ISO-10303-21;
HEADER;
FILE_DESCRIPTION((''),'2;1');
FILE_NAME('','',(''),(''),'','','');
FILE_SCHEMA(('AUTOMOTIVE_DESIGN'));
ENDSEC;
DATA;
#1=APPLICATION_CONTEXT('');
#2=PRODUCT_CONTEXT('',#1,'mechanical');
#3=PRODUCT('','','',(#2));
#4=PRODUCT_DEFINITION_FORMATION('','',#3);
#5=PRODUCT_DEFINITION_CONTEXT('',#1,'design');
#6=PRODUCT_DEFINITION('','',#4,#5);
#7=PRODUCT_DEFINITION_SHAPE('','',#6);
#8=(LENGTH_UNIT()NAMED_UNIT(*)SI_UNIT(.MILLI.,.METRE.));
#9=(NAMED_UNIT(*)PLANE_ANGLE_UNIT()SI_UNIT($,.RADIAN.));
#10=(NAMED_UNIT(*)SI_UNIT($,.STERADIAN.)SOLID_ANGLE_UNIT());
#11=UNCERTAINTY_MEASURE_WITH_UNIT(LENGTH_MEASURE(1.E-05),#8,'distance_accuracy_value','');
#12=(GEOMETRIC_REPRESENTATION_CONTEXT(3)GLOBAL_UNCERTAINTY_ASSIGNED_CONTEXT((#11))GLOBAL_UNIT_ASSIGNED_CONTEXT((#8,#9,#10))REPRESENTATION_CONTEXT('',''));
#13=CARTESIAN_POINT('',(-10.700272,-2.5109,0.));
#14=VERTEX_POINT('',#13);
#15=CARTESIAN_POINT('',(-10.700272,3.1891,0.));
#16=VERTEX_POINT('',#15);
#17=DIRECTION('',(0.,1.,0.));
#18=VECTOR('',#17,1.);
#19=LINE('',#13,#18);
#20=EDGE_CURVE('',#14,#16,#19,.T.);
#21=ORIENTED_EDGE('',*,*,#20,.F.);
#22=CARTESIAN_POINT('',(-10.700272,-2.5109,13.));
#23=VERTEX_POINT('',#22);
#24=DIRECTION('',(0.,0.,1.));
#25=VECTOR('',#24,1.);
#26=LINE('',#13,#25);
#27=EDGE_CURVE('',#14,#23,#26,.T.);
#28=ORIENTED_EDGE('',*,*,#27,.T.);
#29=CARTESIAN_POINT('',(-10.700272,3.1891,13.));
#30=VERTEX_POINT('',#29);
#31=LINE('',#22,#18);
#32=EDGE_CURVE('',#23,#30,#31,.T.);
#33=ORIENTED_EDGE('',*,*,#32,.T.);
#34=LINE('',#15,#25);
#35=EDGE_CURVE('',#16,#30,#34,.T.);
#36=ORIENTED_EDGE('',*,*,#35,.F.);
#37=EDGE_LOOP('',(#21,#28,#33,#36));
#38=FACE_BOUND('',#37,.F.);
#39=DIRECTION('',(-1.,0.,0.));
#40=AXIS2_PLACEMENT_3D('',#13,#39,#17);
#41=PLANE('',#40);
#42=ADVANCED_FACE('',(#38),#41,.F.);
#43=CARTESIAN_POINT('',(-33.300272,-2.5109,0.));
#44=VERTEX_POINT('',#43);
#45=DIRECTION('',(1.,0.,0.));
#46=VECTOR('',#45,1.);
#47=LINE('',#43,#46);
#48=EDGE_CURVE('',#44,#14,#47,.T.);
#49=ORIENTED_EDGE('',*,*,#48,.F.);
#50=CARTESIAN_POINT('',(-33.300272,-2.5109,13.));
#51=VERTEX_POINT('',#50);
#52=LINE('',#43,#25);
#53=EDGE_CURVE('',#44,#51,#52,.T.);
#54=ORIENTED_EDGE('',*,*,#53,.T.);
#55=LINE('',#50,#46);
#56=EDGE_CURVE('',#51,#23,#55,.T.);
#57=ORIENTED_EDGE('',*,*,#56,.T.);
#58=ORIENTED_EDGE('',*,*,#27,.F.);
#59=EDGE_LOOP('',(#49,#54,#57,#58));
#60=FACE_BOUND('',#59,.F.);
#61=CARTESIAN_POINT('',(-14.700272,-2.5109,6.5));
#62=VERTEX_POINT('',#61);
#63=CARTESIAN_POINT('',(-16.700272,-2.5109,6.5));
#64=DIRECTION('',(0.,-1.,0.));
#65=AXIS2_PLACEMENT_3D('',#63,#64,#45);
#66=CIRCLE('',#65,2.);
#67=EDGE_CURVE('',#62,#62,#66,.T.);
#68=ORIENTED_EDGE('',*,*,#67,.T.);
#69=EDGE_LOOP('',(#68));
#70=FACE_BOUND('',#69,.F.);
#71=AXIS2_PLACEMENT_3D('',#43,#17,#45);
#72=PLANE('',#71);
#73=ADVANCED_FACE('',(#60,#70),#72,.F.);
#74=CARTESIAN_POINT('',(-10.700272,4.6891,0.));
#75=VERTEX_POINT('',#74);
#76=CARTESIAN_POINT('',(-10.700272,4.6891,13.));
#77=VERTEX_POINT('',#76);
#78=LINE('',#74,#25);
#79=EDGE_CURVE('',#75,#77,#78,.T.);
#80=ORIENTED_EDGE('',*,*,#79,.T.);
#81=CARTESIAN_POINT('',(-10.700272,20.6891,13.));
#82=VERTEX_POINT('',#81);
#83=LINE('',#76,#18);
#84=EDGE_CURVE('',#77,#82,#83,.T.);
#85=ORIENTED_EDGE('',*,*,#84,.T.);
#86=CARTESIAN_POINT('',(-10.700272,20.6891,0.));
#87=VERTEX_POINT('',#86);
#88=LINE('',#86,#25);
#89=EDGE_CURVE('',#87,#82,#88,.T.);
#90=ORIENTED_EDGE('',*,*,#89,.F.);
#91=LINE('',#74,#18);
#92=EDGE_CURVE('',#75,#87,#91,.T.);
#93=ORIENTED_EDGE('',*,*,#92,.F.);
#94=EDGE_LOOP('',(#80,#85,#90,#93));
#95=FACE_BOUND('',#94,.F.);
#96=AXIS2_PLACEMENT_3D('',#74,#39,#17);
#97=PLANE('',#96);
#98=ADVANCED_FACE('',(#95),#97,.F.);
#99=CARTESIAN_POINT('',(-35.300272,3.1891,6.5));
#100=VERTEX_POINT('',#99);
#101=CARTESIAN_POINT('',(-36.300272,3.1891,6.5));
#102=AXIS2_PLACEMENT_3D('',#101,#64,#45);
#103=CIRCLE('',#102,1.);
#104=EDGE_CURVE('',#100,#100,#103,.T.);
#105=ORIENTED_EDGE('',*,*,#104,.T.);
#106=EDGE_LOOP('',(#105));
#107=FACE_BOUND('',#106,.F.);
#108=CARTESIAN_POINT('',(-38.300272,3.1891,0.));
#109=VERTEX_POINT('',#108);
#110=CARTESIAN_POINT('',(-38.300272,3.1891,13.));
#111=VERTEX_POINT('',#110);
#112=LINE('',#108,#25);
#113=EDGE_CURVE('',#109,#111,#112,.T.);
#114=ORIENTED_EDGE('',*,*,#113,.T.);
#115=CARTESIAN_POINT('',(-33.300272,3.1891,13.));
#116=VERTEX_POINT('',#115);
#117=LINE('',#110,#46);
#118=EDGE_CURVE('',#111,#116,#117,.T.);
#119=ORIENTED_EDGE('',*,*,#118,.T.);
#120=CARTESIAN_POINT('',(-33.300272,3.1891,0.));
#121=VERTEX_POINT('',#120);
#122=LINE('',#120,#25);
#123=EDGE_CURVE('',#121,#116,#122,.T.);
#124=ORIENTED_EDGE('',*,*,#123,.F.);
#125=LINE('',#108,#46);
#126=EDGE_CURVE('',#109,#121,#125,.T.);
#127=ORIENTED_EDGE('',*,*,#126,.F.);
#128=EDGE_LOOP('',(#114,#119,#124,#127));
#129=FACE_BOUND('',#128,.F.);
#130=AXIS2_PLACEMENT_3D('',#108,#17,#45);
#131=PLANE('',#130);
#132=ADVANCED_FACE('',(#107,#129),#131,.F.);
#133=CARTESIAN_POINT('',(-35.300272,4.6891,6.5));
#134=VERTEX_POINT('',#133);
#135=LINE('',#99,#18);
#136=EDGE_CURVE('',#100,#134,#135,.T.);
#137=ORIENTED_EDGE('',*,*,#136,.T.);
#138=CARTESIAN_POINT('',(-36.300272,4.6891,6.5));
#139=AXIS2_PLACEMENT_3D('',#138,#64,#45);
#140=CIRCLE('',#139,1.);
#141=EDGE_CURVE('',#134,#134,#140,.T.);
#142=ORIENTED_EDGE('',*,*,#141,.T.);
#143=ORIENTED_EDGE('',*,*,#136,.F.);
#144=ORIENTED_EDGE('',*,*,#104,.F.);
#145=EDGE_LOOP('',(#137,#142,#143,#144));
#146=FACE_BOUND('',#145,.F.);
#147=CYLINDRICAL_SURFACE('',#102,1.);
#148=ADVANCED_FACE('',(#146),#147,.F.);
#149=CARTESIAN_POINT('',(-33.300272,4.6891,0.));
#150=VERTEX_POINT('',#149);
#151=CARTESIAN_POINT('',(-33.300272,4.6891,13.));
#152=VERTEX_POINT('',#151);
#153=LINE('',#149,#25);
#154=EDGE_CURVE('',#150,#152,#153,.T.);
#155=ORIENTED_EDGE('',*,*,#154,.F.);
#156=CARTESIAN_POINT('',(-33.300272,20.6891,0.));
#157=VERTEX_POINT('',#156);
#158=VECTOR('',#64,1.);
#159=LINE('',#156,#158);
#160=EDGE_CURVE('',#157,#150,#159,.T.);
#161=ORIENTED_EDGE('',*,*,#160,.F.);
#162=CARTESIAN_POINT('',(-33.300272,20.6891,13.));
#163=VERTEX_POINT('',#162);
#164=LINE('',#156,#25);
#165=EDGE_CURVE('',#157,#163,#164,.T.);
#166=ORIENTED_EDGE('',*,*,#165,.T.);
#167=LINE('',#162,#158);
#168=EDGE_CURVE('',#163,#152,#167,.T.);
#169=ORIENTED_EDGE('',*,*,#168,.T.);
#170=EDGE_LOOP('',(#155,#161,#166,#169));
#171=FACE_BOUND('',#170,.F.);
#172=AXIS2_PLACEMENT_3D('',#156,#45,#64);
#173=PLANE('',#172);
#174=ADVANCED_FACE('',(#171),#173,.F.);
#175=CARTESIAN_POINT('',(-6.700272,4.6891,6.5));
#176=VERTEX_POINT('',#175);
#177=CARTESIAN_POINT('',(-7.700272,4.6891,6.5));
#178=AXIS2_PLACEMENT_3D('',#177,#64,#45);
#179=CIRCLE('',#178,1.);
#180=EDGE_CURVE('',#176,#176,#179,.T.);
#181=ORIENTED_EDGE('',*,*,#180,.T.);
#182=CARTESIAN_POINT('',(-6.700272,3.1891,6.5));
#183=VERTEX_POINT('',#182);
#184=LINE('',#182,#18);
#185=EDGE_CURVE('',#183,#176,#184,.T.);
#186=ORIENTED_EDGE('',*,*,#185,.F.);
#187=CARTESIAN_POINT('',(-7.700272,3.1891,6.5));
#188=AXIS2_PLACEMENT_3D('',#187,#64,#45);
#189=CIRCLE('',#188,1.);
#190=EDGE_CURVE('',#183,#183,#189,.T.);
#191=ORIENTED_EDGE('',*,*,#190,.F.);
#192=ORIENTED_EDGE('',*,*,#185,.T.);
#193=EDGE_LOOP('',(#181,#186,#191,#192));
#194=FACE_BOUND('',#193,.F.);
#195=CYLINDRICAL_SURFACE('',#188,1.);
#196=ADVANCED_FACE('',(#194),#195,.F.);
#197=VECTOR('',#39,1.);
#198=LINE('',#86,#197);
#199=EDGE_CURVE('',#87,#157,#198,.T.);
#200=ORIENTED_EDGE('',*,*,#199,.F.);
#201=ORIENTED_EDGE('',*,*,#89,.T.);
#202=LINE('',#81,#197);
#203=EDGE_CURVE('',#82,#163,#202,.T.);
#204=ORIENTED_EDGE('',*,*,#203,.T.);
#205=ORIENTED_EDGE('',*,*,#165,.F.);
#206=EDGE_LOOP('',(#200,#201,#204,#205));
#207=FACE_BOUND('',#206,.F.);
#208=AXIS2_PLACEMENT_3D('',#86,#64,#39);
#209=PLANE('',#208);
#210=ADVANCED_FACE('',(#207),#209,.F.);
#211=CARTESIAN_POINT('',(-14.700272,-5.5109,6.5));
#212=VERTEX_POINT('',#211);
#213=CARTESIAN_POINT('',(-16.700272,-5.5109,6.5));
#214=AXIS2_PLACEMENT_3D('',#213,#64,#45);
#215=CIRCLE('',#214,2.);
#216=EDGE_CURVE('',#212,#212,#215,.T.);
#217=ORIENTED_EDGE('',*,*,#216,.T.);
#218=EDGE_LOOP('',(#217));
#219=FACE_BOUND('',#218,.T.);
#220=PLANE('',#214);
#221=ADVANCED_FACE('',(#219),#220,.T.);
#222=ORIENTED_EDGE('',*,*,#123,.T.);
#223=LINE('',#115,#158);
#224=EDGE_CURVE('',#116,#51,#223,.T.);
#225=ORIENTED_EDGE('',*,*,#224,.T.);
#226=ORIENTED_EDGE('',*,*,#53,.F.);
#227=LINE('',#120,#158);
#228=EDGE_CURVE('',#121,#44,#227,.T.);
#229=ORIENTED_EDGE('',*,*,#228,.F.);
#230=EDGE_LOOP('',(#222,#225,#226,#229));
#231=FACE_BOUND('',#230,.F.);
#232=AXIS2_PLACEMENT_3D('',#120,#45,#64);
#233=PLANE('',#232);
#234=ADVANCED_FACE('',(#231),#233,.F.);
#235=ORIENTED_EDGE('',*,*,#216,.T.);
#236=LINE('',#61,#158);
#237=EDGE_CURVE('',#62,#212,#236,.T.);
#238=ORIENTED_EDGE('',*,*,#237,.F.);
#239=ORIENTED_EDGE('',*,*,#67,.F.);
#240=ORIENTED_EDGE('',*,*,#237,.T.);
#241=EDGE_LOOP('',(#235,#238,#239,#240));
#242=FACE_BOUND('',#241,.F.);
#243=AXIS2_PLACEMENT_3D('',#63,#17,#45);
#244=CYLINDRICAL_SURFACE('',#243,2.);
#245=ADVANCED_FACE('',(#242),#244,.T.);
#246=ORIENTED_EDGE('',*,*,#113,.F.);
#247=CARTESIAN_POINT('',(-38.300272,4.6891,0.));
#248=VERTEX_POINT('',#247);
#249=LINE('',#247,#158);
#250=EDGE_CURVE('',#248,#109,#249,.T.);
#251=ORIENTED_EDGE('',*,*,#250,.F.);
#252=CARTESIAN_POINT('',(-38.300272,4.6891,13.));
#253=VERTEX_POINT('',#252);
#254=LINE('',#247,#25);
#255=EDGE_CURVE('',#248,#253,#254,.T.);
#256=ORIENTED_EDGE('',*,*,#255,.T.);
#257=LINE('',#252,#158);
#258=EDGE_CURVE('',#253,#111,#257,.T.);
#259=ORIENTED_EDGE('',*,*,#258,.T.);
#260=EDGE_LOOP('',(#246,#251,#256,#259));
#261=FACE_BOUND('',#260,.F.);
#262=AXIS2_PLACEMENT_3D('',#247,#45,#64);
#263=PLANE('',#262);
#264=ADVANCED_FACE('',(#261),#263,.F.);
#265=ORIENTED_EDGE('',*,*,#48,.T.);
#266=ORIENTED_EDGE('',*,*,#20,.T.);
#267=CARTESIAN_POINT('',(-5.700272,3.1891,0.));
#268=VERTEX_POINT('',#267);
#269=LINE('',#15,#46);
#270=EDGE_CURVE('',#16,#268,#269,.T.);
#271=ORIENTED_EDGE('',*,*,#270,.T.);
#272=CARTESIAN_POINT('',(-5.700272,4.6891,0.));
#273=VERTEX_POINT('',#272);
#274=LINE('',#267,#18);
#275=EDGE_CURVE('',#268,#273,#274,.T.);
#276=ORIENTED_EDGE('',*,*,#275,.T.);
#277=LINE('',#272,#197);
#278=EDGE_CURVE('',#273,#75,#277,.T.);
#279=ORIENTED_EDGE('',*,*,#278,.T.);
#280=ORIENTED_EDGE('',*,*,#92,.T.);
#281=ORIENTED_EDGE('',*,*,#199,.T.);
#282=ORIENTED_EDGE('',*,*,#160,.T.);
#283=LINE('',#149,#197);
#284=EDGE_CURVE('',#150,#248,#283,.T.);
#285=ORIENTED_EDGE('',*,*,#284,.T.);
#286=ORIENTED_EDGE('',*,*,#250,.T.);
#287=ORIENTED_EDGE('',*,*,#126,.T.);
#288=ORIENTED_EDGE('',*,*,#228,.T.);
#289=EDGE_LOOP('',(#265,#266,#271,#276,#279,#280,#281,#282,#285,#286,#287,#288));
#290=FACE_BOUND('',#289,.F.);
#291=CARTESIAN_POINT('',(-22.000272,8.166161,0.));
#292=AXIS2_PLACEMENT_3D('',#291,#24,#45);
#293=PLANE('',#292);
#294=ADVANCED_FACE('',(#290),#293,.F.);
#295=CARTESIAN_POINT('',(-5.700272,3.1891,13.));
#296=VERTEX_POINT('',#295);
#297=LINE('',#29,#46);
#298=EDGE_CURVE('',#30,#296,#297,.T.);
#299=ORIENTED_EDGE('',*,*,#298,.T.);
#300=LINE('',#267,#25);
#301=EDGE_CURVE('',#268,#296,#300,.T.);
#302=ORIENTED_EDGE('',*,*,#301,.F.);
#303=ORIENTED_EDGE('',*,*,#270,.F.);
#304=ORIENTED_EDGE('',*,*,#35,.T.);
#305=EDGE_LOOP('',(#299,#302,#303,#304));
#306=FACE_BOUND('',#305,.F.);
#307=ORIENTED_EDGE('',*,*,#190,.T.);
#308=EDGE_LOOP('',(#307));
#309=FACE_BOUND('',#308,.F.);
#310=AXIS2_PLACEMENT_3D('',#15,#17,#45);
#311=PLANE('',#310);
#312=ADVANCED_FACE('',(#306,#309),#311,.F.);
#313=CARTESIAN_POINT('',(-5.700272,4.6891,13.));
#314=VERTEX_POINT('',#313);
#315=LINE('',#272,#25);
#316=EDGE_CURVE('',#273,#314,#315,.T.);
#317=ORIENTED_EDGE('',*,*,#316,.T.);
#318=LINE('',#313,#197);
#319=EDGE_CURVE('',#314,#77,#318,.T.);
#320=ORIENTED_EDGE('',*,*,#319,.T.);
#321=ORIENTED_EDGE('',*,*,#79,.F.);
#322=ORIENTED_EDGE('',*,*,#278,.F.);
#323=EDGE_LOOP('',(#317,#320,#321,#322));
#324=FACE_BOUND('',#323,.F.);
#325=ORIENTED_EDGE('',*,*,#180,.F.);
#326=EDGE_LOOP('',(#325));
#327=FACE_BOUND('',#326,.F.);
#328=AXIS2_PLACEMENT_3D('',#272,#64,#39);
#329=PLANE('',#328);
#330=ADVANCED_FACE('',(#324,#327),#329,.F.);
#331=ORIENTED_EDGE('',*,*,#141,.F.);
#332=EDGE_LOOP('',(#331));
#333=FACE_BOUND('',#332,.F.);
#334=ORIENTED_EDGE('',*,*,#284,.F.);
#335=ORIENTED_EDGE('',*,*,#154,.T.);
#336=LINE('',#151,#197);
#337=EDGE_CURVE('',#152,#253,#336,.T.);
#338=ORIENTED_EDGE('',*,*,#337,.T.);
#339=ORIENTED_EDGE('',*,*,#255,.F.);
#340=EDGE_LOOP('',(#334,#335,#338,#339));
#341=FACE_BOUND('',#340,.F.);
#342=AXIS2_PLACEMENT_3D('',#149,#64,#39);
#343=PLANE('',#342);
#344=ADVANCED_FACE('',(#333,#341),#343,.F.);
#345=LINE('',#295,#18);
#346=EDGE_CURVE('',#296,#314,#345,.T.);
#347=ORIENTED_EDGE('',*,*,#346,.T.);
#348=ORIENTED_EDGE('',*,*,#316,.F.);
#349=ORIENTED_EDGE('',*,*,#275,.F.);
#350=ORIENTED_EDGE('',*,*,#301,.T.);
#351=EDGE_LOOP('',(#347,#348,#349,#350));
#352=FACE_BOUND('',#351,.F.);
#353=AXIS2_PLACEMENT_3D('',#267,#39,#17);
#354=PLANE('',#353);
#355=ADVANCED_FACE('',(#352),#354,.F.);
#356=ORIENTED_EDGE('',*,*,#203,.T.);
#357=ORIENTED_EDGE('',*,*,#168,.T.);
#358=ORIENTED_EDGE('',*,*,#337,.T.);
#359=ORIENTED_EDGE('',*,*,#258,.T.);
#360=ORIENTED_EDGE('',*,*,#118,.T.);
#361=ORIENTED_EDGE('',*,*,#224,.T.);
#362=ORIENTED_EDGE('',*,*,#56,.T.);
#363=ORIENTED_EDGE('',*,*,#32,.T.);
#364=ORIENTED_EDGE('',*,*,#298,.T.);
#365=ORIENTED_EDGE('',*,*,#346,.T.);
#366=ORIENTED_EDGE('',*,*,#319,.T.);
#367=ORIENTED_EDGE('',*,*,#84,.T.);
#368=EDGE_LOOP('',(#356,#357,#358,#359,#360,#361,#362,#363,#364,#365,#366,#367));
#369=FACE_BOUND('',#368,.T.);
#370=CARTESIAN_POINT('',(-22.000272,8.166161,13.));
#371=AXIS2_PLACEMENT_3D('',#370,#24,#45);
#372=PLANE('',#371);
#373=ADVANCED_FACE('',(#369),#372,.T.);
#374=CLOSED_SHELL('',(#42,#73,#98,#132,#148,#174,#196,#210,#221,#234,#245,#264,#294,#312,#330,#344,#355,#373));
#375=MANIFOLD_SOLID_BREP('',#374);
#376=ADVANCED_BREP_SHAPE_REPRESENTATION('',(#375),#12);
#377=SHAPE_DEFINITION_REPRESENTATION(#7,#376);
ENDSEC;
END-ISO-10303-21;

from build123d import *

# Parameters (mm, degrees)
F1_DEPTH = 13
F2_R     = 1
F3_DEPTH = 1.5
F4_R     = 2
F5_DEPTH = 3


with BuildPart() as f1:
    # F0 (on Top) → F1 (new body)
    with BuildSketch(Plane.XY):
        Polygon((-10.700272, 20.6891), (-33.300272, 20.6891), (-33.300272, 4.6891), (-38.300272, 4.6891), (-38.300272, 3.1891), (-33.300272, 3.1891), (-33.300272, -2.5109), (-10.700272, -2.5109), (-10.700272, 3.1891), (-5.700272, 3.1891), (-5.700272, 4.6891), (-10.700272, 4.6891), align=None)
    extrude(amount=F1_DEPTH)

    # F2 (on face) → F3 (cut, through all)
    with BuildSketch(Plane.XZ.offset(-3.1891)):
        with Locations((-36.300272, 6.5)):
            Circle(F2_R)
        with Locations((-7.700272, 6.5)):
            Circle(F2_R)
    extrude(amount=-F3_DEPTH, mode=Mode.SUBTRACT)

    # F4 (on face) → F5 (join)
    with BuildSketch(Plane.XZ.offset(2.5109)):
        with Locations((-16.700272, 6.5)):
            Circle(F4_R)
    extrude(amount=F5_DEPTH)


solid = f1.part
